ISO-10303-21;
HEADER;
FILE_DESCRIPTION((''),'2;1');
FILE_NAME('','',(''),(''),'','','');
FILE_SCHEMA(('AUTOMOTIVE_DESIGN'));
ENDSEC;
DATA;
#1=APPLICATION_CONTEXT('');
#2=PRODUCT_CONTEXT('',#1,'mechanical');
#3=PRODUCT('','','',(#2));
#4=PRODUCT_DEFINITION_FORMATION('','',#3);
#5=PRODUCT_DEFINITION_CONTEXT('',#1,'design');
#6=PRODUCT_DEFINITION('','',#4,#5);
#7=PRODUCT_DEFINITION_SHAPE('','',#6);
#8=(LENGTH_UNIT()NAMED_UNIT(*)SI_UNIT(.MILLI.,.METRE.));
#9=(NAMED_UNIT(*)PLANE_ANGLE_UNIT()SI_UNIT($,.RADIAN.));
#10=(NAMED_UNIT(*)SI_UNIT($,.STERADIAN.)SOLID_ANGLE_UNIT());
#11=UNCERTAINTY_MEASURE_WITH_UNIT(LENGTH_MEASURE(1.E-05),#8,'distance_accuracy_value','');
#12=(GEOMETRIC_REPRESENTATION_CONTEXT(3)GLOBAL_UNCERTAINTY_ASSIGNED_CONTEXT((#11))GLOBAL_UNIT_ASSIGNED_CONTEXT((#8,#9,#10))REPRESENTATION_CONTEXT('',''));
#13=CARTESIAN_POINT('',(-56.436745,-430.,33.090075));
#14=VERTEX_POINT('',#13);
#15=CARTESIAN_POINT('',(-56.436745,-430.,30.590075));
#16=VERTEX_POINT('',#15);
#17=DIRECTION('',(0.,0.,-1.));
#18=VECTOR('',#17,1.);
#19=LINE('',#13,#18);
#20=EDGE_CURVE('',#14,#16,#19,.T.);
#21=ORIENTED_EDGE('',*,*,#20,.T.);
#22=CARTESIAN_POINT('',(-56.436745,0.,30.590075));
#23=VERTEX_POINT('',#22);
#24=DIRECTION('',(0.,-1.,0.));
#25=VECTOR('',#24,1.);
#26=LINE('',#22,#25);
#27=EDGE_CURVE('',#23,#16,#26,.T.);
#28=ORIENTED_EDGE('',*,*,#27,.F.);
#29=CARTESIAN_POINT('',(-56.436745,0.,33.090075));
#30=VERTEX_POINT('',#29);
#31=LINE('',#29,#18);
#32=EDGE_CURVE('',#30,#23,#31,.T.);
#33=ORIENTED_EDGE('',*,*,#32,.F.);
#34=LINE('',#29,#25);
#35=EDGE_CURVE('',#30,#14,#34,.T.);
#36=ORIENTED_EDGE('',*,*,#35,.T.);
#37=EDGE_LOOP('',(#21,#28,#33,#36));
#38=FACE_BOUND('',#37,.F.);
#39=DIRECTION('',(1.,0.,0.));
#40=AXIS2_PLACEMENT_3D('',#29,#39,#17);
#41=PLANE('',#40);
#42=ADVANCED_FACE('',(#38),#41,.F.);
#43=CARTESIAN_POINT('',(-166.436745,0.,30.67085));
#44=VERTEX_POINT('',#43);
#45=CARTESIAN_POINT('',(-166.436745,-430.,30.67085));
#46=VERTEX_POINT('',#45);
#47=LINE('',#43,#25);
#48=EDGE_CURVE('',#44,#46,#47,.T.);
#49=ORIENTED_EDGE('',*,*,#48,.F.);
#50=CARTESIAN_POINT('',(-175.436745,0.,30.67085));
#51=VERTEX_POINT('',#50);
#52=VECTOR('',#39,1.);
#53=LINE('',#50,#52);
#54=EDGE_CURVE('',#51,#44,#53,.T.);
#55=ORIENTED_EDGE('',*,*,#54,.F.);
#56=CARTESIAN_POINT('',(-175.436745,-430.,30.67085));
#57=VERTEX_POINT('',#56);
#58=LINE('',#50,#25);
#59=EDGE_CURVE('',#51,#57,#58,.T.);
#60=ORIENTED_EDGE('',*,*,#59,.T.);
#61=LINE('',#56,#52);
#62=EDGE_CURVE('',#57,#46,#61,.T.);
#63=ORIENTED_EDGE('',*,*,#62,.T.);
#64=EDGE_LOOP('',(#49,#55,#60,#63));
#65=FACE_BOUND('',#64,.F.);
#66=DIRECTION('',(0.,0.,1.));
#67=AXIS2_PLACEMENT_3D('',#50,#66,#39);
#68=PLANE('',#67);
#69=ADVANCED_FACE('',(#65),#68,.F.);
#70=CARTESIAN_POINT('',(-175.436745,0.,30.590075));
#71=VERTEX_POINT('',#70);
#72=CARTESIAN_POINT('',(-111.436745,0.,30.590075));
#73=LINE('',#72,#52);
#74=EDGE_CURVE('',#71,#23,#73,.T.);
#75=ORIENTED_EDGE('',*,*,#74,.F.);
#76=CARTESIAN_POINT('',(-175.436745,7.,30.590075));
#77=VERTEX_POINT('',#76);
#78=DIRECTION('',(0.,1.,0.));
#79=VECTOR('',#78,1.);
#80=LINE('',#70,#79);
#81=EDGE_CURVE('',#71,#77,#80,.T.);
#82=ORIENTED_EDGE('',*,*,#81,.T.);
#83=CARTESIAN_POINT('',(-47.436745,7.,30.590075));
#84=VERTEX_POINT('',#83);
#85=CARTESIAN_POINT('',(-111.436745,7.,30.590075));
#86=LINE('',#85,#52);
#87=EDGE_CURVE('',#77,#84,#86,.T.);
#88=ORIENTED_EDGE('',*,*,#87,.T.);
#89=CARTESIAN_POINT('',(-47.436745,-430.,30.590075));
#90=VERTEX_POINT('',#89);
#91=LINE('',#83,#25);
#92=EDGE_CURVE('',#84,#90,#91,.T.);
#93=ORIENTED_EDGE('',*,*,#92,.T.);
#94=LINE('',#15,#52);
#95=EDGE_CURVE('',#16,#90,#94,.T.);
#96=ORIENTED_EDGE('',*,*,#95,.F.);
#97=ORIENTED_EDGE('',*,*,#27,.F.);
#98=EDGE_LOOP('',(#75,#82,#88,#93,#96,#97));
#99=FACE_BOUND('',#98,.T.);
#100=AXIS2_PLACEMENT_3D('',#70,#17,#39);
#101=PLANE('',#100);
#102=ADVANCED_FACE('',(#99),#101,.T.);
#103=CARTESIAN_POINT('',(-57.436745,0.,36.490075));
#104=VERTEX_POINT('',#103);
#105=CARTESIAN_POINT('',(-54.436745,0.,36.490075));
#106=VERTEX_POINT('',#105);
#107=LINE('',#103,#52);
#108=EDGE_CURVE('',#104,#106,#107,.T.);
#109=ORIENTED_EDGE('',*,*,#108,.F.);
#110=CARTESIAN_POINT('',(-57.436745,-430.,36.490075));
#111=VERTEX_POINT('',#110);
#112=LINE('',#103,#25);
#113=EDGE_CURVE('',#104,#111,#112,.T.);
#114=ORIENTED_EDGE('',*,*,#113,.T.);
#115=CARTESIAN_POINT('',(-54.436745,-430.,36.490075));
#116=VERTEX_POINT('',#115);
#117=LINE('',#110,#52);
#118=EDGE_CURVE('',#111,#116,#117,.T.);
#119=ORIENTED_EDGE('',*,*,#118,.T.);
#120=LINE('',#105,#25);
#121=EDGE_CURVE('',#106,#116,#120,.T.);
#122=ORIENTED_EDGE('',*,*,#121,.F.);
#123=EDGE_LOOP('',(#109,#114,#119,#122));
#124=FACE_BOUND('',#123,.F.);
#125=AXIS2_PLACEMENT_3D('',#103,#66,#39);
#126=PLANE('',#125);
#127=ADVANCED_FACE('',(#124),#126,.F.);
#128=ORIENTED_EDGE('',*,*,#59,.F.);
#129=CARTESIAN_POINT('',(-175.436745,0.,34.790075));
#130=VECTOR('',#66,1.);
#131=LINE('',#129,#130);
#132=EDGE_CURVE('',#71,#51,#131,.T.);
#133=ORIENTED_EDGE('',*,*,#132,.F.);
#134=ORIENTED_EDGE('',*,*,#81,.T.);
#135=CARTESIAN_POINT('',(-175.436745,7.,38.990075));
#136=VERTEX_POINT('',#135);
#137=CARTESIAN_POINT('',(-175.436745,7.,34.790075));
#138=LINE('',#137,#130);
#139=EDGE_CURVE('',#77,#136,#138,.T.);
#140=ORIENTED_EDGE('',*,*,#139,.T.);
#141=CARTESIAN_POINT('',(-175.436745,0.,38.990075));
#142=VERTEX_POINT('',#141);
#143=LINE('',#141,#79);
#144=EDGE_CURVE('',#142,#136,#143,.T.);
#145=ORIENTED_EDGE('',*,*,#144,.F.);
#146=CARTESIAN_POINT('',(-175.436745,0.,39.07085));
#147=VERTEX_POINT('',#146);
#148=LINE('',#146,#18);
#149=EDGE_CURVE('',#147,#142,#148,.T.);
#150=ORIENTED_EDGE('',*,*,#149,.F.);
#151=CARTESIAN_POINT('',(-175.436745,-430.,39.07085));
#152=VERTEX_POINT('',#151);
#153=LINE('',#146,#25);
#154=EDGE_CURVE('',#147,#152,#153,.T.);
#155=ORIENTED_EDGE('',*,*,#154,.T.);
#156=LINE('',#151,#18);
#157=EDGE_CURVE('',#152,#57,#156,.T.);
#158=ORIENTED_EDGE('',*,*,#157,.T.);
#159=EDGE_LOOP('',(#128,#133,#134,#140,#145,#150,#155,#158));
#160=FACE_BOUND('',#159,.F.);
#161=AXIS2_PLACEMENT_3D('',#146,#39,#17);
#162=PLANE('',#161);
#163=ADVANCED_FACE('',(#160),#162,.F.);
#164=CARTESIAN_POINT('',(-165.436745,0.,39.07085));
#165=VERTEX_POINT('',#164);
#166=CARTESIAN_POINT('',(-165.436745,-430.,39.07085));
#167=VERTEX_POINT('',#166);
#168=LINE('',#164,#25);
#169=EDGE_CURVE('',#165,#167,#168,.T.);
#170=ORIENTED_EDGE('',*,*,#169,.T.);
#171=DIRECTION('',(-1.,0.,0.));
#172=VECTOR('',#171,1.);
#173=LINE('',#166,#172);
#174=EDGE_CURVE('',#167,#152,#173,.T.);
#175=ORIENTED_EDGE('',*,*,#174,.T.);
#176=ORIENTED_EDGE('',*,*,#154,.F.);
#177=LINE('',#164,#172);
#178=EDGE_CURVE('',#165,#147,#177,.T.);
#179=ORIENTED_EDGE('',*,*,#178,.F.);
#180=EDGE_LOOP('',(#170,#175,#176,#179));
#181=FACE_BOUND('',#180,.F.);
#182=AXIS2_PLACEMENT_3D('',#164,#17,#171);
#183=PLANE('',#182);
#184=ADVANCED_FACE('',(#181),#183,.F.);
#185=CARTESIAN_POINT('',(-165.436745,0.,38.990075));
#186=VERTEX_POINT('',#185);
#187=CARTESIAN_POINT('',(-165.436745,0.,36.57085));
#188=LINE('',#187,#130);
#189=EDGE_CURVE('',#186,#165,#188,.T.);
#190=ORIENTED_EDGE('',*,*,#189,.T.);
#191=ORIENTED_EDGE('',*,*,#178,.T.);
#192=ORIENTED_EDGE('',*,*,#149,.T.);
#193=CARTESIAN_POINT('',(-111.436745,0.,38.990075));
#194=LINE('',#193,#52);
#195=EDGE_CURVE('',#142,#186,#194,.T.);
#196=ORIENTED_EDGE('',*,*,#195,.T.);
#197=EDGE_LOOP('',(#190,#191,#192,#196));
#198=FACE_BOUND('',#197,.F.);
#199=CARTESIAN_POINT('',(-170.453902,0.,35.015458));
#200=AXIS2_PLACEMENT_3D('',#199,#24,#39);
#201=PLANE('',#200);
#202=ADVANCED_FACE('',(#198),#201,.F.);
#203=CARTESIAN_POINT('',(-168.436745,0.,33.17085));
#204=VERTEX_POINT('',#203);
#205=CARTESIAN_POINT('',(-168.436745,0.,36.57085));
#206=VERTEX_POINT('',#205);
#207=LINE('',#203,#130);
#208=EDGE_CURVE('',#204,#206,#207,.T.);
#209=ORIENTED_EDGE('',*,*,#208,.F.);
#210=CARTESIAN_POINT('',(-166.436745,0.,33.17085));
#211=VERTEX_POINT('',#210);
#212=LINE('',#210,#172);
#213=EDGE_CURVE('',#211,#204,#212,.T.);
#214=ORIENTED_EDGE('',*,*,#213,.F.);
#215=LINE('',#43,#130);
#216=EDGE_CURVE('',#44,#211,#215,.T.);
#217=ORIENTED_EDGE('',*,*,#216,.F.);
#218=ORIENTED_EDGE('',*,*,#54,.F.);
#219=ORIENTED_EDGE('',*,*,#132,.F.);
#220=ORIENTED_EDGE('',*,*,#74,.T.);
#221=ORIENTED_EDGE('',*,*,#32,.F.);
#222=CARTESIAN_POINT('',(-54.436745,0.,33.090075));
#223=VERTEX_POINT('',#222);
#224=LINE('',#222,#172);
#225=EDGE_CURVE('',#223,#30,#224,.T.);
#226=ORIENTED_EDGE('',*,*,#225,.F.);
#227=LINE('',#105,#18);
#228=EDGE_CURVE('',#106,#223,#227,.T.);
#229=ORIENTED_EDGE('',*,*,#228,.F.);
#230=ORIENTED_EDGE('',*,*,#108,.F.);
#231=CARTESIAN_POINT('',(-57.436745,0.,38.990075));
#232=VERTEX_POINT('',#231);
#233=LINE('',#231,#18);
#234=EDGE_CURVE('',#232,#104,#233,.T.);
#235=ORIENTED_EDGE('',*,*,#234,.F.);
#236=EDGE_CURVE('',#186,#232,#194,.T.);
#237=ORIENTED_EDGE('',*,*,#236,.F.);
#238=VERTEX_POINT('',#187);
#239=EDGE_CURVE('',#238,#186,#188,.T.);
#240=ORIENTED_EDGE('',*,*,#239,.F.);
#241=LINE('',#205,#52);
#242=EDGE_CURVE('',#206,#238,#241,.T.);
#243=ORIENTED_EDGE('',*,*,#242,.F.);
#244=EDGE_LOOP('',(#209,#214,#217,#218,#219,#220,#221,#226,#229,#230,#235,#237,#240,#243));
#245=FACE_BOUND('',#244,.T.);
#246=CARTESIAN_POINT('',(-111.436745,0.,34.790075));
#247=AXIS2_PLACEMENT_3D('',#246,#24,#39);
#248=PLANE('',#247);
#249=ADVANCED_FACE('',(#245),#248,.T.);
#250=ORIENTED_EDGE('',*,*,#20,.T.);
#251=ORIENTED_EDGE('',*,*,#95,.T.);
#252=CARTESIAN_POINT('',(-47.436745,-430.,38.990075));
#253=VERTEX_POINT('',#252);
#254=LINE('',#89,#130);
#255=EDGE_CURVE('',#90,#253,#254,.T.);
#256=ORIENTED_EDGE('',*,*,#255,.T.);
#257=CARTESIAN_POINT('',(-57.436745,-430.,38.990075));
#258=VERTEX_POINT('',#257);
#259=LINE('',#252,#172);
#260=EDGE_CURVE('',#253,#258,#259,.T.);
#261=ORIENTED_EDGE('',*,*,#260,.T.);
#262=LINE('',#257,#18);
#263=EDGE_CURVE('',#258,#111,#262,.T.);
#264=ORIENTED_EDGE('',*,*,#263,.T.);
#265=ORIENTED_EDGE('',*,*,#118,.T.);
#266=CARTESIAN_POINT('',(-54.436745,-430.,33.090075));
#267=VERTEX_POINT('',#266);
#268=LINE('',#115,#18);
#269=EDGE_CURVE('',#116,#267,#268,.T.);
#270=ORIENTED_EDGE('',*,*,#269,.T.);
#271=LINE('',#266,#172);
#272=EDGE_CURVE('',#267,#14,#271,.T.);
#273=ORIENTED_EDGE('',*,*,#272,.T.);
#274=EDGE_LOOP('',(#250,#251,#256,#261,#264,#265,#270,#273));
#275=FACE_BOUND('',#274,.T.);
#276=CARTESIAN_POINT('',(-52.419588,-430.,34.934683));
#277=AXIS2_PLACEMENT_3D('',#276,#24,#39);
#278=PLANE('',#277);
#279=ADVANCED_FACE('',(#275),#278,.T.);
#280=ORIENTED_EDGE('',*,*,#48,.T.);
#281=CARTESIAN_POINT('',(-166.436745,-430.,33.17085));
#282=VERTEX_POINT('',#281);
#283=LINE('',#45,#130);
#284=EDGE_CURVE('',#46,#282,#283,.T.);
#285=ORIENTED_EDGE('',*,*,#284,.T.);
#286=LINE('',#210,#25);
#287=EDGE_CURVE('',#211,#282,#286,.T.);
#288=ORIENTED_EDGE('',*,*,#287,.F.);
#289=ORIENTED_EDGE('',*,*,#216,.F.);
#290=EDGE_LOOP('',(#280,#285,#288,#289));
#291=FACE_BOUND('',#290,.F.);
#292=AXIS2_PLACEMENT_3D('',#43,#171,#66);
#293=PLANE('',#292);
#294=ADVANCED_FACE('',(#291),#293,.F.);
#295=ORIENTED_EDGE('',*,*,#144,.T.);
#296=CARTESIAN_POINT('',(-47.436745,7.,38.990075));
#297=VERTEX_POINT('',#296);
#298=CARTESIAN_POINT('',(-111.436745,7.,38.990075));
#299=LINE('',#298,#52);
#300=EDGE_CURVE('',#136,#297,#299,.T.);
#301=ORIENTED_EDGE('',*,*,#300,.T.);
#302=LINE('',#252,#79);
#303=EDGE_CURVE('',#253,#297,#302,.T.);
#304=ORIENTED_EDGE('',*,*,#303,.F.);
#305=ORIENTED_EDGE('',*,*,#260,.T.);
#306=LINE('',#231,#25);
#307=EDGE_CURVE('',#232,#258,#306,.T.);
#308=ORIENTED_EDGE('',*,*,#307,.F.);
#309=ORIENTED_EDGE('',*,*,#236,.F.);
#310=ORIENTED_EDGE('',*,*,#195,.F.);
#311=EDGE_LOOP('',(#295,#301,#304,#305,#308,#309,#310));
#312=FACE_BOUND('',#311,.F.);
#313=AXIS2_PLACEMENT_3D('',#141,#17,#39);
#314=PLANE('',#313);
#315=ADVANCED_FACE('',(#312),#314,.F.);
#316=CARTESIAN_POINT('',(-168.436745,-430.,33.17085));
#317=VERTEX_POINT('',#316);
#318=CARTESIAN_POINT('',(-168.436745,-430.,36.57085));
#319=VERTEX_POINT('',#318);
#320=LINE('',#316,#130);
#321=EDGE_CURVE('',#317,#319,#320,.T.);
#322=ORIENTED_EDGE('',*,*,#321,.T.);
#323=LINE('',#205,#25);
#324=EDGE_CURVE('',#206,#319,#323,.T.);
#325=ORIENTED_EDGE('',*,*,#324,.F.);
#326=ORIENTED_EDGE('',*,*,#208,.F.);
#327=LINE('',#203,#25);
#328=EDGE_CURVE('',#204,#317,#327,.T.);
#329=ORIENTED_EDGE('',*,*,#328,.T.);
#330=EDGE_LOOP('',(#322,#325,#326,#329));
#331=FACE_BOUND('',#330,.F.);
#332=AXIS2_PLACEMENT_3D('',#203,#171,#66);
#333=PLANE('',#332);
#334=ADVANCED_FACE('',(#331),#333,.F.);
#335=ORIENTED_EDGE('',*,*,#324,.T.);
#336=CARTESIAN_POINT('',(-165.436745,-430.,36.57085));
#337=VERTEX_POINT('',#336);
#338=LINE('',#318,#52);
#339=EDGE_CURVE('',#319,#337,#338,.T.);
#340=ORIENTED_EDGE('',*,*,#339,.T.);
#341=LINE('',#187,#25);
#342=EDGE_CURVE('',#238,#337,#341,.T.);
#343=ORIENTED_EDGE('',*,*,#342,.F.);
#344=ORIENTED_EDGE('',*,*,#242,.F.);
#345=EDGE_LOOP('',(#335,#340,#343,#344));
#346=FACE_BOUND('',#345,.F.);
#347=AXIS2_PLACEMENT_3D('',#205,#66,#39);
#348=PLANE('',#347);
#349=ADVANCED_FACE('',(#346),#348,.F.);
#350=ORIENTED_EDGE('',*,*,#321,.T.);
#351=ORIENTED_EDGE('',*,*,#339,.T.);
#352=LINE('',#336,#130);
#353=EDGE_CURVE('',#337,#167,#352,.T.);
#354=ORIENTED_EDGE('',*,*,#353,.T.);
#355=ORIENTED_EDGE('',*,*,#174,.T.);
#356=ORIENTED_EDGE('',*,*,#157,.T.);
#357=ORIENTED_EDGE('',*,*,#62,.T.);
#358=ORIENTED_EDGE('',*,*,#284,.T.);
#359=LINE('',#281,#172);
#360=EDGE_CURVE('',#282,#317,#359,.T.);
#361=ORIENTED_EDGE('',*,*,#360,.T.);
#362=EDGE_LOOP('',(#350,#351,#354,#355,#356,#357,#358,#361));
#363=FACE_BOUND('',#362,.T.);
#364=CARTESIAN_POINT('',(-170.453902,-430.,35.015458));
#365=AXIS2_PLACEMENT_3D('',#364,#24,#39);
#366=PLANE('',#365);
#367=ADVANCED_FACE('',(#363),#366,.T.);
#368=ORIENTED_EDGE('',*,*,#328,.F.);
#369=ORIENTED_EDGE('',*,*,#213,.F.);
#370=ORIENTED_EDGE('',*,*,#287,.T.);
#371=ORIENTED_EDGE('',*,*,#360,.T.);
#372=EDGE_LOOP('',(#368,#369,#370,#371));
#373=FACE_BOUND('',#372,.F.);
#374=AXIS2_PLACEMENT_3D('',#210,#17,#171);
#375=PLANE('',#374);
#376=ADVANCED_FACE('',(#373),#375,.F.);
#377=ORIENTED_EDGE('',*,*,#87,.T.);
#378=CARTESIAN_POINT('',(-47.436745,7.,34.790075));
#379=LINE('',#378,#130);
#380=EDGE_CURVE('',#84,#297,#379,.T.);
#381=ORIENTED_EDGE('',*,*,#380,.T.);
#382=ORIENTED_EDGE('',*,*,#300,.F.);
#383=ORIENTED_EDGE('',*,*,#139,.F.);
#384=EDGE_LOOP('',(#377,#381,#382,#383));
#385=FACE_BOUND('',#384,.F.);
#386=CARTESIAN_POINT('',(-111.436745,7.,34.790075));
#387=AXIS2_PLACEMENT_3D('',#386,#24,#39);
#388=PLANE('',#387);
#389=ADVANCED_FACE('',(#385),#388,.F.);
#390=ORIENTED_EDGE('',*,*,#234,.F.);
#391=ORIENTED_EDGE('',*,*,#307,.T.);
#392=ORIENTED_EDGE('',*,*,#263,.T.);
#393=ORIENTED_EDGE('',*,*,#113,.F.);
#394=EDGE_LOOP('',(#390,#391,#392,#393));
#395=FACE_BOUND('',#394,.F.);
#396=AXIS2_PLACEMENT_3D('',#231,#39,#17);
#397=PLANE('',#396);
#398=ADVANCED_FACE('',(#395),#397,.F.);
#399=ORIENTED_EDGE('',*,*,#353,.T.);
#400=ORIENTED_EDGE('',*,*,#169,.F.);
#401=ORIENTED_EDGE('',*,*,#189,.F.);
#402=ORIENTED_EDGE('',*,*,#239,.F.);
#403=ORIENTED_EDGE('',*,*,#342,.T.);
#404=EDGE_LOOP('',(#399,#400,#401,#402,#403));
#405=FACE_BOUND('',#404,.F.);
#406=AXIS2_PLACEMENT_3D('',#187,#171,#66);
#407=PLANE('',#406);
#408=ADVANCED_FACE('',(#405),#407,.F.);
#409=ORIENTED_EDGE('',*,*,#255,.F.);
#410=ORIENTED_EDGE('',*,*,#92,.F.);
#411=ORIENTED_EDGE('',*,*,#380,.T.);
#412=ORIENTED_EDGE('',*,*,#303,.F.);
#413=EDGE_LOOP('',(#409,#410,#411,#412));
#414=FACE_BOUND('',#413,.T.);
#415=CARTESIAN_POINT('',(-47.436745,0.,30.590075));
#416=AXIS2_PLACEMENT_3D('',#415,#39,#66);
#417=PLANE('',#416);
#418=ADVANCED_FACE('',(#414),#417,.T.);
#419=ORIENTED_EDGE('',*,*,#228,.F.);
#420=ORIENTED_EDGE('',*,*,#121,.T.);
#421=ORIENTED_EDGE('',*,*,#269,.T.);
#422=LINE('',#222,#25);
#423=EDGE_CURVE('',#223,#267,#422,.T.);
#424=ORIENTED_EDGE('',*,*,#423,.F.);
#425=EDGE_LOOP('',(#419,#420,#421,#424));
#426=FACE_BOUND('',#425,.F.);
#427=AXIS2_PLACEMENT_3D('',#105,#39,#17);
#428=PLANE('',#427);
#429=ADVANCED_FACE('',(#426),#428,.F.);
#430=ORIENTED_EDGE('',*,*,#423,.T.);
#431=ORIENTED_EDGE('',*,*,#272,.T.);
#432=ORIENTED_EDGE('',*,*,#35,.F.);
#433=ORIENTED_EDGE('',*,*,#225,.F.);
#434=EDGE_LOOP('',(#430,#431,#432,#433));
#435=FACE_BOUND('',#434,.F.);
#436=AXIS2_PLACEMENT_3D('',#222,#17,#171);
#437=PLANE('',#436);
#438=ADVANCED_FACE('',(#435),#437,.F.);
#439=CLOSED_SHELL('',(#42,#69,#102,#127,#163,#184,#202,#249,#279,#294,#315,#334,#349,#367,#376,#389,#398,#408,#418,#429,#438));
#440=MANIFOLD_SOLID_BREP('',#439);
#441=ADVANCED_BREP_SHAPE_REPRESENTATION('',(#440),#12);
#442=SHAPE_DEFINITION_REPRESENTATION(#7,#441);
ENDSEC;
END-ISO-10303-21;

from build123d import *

# Parameters (mm, degrees)
F1_DEPTH = 430
F2_W     = 128
F2_H     = 8.4
F3_DEPTH = 7
F5_DEPTH = 430


with BuildPart() as f1:
    # F0 (on Front) → F1 (new body)
    with BuildSketch(Plane.XZ):
        Polygon((-47.436745, 38.990075), (-57.436745, 38.990075), (-57.436745, 36.490075), (-54.436745, 36.490075), (-54.436745, 33.090075), (-56.436745, 33.090075), (-56.436745, 30.590075), (-47.436745, 30.590075), align=None)
    extrude(amount=F1_DEPTH)

    # F2 (on Front) → F3 (join)
    with BuildSketch(Plane.XZ):
        with Locations((-111.436745, 34.790075)):
            Rectangle(F2_W, F2_H)
    extrude(amount=-F3_DEPTH)

    # F4 (on Front) → F5 (join)
    with BuildSketch(Plane.XZ):
        Polygon((-165.436745, 36.57085), (-165.436745, 39.07085), (-175.436745, 39.07085), (-175.436745, 30.67085), (-166.436745, 30.67085), (-166.436745, 33.17085), (-168.436745, 33.17085), (-168.436745, 36.57085), align=None)
    extrude(amount=F5_DEPTH)


solid = f1.part
